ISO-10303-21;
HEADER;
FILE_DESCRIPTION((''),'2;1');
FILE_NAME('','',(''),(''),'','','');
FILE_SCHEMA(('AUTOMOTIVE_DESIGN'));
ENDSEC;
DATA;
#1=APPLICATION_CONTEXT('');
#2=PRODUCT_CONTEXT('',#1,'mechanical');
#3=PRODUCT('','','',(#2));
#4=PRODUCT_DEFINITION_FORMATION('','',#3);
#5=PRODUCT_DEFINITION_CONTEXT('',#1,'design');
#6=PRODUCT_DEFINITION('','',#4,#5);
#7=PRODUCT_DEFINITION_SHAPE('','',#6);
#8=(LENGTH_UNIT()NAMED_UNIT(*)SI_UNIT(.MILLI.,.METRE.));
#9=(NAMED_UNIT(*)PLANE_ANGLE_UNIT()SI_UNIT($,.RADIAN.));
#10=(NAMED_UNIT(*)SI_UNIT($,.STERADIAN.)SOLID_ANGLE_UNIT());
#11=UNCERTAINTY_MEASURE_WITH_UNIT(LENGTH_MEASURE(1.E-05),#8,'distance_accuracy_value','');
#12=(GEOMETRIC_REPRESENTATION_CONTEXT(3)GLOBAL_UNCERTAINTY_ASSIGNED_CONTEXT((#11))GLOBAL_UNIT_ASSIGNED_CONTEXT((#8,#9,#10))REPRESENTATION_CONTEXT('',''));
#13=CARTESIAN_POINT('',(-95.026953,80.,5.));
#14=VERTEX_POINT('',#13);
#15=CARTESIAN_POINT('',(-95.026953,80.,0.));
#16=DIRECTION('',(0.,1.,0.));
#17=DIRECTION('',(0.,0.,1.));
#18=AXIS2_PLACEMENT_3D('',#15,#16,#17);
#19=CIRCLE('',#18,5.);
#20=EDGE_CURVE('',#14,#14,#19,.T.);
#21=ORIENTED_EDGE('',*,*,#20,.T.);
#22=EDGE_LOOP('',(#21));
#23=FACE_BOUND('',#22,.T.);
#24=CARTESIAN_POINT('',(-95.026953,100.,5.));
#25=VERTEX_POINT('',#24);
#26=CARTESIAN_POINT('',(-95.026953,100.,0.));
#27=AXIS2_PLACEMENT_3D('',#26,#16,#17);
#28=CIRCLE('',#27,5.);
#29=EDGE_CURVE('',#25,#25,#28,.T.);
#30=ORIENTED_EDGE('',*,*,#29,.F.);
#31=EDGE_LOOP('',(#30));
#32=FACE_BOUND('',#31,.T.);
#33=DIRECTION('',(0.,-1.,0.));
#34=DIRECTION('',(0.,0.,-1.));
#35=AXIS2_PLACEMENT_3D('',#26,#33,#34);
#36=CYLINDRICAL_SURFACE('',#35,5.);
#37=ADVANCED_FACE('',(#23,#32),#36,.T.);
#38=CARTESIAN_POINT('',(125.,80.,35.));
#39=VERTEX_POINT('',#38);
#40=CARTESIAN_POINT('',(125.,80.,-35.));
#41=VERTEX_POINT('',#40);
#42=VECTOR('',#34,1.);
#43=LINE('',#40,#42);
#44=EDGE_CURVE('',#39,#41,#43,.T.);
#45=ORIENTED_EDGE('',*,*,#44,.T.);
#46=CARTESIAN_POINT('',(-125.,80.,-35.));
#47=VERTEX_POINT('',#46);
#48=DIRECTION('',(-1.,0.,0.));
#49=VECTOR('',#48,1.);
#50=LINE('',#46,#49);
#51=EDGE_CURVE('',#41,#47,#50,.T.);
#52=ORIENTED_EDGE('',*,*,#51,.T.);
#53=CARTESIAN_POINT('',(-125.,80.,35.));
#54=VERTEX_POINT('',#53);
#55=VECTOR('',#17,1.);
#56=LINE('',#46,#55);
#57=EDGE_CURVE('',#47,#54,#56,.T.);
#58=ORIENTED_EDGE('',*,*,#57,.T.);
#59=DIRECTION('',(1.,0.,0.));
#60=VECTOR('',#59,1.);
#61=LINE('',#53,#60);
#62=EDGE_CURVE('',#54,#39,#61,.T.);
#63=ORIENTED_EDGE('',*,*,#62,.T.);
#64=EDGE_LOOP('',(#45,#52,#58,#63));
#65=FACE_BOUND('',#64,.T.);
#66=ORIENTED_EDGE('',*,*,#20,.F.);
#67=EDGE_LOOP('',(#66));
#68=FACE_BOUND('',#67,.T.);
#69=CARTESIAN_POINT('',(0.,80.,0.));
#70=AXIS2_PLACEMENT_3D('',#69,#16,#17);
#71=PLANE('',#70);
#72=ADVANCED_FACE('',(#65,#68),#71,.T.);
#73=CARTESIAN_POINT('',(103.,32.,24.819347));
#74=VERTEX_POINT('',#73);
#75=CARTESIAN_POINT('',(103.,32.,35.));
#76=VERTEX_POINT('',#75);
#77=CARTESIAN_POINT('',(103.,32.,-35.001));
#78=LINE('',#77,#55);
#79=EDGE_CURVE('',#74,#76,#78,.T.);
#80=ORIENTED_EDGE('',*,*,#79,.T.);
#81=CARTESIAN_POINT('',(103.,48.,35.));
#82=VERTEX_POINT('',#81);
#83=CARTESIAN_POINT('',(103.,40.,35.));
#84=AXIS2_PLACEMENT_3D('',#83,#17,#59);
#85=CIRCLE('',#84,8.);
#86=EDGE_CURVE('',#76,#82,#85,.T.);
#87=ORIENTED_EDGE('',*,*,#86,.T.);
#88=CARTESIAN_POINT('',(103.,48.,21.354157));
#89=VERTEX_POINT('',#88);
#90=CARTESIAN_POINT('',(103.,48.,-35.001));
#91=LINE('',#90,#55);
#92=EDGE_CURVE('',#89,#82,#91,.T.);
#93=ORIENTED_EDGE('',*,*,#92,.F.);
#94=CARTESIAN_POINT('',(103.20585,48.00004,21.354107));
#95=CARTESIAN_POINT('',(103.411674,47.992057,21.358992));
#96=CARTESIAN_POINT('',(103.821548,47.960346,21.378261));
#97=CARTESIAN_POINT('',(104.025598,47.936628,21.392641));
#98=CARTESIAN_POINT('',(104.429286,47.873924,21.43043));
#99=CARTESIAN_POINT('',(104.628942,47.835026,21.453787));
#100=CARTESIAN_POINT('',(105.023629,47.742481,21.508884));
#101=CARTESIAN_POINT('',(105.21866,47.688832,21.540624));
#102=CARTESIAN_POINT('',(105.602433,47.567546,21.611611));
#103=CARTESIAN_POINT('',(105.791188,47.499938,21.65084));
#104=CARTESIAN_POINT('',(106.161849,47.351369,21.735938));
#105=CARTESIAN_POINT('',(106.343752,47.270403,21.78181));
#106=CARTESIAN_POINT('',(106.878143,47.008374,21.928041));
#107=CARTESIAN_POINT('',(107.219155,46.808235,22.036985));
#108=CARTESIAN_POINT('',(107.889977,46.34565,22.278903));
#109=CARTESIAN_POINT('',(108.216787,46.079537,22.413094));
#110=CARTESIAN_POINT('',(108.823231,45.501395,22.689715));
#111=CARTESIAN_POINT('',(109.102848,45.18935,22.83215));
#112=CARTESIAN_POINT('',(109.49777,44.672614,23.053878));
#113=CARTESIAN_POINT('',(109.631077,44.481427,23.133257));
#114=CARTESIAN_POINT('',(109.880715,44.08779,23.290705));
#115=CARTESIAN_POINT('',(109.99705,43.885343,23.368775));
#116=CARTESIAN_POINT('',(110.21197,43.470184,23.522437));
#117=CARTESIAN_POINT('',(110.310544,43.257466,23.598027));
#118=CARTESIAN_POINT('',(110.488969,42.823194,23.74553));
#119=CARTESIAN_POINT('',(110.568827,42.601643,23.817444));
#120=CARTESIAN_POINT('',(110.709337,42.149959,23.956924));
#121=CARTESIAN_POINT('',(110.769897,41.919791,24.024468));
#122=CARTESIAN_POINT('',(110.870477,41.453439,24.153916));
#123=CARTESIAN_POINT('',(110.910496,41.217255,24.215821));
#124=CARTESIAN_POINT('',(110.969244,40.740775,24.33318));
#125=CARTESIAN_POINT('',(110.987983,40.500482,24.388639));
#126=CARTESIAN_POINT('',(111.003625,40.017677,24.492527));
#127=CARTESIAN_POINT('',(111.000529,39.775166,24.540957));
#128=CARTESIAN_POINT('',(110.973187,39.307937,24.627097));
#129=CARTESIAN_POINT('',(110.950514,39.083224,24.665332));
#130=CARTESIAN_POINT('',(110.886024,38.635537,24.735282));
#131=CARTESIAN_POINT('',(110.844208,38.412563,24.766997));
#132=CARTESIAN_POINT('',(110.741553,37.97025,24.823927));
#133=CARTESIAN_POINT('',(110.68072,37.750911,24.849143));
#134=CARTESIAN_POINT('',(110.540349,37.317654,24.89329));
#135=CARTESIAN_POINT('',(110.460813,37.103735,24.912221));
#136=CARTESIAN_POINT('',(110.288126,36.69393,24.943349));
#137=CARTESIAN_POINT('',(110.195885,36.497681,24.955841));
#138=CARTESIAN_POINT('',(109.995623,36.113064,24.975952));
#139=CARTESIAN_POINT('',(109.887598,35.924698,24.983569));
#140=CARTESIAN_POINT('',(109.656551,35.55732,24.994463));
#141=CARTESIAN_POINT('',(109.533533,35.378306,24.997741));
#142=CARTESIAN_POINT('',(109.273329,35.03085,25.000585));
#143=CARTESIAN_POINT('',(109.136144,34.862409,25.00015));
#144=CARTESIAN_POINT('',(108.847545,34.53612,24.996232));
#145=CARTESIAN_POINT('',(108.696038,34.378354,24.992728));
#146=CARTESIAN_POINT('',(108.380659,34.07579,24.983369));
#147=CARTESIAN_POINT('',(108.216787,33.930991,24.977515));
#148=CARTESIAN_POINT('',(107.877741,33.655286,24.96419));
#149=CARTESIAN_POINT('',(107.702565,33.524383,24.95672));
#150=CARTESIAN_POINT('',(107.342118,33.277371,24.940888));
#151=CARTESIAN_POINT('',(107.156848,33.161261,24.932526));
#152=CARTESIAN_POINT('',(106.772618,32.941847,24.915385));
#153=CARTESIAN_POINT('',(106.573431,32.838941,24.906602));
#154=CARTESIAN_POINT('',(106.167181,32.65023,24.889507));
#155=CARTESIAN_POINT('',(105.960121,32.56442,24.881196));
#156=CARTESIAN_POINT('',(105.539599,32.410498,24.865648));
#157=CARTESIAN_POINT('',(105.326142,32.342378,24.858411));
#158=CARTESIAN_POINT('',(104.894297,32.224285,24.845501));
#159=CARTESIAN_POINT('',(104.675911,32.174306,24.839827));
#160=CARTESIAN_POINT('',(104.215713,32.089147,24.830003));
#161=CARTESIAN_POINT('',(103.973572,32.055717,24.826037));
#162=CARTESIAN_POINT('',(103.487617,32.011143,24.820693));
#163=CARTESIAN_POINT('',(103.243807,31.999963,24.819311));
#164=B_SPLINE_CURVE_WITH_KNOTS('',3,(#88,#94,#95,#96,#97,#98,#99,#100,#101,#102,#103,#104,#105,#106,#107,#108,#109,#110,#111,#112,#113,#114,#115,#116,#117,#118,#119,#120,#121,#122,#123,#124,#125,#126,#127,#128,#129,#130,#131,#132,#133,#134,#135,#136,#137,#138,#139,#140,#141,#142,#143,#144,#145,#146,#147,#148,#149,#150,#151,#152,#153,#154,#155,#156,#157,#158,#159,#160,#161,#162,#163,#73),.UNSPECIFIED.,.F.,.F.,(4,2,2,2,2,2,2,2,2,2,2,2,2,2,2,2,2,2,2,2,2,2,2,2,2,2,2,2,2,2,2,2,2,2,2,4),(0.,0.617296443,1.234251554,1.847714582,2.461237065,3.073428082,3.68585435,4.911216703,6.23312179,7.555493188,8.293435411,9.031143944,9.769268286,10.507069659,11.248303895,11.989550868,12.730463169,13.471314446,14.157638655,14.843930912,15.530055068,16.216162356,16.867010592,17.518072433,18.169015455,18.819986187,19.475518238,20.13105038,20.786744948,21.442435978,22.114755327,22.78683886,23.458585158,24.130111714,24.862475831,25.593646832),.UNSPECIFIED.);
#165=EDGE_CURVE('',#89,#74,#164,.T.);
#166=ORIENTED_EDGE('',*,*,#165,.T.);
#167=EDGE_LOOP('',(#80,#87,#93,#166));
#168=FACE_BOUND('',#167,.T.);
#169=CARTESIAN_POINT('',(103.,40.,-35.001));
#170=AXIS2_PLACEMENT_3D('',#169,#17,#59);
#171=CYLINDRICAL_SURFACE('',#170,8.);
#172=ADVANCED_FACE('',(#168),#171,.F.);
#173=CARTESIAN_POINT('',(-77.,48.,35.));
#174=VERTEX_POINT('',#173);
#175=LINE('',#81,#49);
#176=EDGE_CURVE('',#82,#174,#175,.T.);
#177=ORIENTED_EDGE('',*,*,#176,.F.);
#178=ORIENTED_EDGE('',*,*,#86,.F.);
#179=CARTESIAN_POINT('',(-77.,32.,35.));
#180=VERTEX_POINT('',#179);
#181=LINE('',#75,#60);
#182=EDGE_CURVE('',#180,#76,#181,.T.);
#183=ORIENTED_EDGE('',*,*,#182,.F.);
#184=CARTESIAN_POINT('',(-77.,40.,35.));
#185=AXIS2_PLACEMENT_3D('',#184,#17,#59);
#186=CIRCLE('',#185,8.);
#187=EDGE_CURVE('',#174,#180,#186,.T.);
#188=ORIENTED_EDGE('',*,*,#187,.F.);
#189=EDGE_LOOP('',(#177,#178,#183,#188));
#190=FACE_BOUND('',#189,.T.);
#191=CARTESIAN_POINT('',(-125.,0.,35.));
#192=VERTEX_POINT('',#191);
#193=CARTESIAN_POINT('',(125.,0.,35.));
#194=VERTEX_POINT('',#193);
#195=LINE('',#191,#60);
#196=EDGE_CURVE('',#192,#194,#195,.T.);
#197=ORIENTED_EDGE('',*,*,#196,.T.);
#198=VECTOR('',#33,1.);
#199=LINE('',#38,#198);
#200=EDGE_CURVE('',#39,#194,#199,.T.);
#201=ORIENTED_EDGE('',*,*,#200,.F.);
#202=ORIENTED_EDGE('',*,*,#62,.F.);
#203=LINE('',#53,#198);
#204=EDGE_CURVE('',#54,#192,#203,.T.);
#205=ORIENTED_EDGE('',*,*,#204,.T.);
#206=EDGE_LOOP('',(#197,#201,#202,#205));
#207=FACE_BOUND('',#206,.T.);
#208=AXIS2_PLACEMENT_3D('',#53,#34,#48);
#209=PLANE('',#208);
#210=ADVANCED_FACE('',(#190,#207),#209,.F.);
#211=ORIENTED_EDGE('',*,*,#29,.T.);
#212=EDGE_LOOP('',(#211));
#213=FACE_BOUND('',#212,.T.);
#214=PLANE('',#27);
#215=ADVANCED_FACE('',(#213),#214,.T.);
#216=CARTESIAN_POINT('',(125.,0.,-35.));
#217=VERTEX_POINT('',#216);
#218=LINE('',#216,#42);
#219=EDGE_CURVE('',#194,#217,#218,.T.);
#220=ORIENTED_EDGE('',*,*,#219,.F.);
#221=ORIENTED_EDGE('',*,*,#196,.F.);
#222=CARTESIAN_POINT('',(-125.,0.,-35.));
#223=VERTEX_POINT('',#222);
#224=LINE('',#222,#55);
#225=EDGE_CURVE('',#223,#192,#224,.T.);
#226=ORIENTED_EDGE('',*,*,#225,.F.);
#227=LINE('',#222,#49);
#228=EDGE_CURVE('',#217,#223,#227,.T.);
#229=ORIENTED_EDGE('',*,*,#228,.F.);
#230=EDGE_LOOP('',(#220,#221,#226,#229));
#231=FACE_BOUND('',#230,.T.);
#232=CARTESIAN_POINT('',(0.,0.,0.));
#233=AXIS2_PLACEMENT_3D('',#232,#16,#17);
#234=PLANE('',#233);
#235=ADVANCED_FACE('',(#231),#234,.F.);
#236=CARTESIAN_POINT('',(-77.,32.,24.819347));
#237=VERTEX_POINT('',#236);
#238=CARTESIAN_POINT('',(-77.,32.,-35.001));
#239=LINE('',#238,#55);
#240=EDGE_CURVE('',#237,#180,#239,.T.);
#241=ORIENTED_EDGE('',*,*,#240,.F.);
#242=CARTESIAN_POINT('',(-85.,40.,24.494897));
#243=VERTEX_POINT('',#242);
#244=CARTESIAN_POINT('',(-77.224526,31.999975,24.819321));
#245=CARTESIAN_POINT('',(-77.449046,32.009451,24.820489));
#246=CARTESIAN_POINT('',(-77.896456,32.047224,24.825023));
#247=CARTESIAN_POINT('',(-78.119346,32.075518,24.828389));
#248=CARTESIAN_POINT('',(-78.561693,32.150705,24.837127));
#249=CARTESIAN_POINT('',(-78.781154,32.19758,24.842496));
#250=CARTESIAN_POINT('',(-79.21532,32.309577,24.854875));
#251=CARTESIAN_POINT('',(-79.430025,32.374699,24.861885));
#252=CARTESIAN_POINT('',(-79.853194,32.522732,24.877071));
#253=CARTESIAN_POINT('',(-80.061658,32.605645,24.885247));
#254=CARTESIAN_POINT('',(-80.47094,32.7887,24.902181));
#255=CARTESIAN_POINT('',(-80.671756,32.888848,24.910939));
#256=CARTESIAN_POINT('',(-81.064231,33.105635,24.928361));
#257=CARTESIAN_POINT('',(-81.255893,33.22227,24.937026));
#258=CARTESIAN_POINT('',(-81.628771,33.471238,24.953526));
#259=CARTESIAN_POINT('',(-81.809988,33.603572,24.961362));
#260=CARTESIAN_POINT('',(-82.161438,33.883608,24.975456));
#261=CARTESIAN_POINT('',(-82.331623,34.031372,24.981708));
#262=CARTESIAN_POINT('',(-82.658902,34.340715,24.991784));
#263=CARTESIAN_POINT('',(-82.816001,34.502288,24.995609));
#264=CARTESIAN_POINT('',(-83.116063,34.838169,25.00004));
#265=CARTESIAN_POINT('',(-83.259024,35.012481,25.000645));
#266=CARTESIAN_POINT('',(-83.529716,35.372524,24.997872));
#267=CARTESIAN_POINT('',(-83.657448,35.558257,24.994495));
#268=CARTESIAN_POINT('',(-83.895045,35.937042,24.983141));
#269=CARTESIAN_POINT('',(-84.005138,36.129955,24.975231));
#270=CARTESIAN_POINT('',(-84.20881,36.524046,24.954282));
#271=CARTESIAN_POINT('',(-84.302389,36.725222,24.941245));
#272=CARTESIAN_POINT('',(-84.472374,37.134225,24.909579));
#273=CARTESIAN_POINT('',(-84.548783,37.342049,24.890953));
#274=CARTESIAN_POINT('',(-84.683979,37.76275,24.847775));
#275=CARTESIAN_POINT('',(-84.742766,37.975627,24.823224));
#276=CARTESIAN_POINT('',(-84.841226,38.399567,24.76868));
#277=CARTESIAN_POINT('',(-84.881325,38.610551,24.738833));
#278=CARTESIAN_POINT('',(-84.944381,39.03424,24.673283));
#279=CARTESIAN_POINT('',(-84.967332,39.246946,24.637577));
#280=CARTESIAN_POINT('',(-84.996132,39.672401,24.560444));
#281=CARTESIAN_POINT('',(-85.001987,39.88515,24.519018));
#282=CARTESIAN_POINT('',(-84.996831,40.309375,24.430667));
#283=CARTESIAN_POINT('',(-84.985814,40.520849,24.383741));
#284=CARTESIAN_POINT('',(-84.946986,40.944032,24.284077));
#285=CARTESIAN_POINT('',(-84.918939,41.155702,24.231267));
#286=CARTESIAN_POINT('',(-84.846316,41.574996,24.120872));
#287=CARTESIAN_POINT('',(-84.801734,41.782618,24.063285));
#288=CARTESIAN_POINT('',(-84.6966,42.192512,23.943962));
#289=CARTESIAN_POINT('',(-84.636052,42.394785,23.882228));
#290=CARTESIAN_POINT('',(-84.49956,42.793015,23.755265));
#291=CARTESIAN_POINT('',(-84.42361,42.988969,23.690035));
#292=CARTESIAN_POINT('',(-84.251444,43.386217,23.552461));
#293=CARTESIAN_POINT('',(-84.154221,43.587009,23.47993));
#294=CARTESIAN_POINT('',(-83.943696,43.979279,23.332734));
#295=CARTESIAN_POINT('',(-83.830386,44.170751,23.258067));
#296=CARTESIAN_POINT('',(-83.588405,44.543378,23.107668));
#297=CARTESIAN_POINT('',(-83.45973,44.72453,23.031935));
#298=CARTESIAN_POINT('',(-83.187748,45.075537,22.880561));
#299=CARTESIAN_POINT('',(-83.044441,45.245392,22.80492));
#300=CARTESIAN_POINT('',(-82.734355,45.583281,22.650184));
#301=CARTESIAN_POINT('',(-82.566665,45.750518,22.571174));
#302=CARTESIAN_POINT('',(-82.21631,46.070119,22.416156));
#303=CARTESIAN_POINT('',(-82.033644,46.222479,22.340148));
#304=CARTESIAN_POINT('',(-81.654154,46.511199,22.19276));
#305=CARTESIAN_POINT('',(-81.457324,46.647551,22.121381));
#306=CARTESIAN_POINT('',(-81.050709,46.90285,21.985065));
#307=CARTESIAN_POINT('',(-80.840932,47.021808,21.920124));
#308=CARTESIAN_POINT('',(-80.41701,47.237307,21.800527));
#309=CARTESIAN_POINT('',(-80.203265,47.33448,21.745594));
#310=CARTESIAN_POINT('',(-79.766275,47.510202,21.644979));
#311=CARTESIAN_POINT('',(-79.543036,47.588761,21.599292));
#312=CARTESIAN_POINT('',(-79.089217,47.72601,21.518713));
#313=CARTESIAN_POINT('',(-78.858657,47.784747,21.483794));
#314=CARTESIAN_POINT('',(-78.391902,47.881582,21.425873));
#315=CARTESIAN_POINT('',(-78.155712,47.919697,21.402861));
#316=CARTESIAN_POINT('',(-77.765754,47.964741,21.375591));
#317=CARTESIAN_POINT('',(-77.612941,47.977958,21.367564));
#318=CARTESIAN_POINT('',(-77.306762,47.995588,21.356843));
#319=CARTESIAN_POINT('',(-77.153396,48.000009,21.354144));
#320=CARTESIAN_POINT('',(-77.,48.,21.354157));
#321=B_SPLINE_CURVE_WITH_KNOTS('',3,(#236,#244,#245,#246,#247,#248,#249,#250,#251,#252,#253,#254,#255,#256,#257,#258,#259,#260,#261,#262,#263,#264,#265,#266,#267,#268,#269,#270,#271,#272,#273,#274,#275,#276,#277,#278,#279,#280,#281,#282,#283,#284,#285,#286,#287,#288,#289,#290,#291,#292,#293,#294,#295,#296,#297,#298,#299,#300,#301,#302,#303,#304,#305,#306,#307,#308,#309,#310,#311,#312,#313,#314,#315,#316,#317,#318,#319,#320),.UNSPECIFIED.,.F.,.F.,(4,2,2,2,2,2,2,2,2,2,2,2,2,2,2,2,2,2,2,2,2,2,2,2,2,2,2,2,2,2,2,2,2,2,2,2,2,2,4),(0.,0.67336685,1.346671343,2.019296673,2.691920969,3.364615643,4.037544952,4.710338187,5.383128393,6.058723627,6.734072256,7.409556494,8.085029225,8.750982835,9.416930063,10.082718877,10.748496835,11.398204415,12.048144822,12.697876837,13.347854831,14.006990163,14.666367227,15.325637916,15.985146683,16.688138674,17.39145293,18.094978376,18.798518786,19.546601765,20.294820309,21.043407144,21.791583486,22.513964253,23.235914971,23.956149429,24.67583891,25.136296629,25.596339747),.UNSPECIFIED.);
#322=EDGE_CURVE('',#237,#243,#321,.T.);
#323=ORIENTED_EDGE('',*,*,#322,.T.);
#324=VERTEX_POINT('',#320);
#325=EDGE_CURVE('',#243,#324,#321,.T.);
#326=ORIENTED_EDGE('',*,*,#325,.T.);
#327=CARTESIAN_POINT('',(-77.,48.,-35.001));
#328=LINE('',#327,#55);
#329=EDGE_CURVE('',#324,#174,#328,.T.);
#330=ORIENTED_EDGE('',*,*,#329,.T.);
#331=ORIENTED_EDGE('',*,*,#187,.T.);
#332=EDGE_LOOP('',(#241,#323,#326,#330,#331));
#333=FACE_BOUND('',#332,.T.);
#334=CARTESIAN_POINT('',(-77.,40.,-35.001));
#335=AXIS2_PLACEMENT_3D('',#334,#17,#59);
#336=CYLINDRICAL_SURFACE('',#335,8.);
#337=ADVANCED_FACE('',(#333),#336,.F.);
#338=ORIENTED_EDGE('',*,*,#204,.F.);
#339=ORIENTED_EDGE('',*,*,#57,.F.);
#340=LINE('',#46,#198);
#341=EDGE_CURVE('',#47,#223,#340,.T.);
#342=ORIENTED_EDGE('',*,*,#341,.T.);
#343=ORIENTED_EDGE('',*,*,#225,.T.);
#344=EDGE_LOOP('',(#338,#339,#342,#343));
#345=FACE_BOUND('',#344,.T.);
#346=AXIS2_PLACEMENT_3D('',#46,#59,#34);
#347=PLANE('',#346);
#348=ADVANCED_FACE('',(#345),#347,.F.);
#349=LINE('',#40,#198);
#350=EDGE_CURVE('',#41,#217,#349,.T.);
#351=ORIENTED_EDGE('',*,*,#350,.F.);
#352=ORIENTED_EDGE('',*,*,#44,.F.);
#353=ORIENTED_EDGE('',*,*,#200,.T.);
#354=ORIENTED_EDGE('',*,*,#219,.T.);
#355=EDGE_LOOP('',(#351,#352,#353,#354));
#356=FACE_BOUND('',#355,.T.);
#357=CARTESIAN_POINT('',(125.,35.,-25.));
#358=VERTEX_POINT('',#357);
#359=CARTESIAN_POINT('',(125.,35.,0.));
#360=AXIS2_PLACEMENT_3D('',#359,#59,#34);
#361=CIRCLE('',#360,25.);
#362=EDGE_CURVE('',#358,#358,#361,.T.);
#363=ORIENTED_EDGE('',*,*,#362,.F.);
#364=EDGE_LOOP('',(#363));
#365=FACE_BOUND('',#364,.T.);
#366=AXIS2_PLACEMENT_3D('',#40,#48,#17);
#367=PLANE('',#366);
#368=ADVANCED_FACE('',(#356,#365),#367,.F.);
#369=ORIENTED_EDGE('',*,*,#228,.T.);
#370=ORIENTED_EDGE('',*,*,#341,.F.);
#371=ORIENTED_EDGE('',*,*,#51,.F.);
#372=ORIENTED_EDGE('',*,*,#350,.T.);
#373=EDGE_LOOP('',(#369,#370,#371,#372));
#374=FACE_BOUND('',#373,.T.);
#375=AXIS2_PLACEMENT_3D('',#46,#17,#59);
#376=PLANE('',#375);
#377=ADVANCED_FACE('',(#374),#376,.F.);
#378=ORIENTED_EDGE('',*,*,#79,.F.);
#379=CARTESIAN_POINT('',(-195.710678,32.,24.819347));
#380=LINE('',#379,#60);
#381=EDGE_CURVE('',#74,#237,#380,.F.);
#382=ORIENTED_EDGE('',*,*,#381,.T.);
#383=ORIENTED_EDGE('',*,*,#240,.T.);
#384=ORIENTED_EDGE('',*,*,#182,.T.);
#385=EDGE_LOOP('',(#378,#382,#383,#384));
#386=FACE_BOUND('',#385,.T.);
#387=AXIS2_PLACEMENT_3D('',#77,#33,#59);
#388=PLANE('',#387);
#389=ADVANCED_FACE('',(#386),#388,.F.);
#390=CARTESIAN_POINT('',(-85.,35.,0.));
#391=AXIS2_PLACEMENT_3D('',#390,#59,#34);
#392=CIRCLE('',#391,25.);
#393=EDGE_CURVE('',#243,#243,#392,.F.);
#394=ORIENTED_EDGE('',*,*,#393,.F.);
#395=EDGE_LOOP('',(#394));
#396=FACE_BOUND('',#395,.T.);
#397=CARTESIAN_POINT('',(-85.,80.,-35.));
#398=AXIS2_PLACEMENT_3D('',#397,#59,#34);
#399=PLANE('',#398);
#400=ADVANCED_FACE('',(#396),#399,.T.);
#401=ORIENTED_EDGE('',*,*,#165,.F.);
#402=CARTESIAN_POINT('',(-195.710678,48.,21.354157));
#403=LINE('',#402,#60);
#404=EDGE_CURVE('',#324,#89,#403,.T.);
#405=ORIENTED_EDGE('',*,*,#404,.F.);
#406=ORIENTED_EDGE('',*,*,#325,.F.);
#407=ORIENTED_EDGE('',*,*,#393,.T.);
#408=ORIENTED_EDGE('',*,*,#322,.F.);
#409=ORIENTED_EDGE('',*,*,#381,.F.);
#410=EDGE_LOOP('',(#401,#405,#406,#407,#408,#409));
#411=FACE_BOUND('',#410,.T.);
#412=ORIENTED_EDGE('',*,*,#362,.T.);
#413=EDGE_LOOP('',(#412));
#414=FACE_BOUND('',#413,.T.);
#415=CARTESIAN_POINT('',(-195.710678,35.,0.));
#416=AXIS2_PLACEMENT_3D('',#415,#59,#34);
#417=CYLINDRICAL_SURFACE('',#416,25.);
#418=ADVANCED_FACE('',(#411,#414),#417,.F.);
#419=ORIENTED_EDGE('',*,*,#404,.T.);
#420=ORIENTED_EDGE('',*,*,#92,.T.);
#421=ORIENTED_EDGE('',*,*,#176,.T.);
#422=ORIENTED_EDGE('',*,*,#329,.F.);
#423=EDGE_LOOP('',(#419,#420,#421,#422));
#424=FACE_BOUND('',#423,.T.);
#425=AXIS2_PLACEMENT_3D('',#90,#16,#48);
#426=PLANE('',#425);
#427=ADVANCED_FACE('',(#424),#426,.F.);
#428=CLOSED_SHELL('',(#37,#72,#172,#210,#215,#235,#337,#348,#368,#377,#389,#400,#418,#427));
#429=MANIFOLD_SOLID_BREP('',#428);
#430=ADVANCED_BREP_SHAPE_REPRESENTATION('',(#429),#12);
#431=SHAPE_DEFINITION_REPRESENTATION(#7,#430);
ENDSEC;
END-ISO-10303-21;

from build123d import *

# Parameters (mm, degrees)
SKETCH1_W               = 250
SKETCH1_H               = 70
BOSS_EXTRUDE1_DEPTH     = 80
SKETCH2_R               = 25
CUT_EXTRUDE1_DEPTH      = 210
CUT_EXTRUDE2_REACH      = 166.088
CUT_EXTRUDE2_END_RADIUS = 25
SKETCH4_R               = 5
BOSS_EXTRUDE2_DEPTH     = 20


with BuildPart() as part:
    # Sketch1 → Boss-Extrude1 (new body)
    with BuildSketch(Plane(origin=(0, 0, 0), x_dir=(1, 0, 0), z_dir=(0, 1, 0))):
        Rectangle(SKETCH1_W, SKETCH1_H)
    extrude(amount=BOSS_EXTRUDE1_DEPTH)

    # Sketch2 → Cut-Extrude1 (cut)
    with BuildSketch(Plane(origin=(125, 0, 0), x_dir=(0, 0, -1), z_dir=(1, 0, 0))):
        with Locations((0, 35)):
            Circle(SKETCH2_R)
    extrude(amount=-CUT_EXTRUDE1_DEPTH, mode=Mode.SUBTRACT)

    # Cut-Extrude2: up to this cylinder (the profile starts outside it)
    cut_extrude2_end = Plane(origin=(13, 35, 0), z_dir=(1, 0, 0)) * Cylinder(CUT_EXTRUDE2_END_RADIUS, 383.176, mode=Mode.PRIVATE)
    # Sketch3 → Cut-Extrude2 (cut, up to the surface)
    with BuildSketch(Plane.XY.offset(35), mode=Mode.PRIVATE) as cut_extrude2_sk1:
        with BuildLine():
            Line((103, 32), (-77, 32))
            ThreePointArc((-77, 32), (-85, 40), (-77, 48))
            Line((-77, 48), (103, 48))
            ThreePointArc((103, 48), (111, 40), (103, 32))
        make_face()
    cut_extrude2_tool1 = extrude(cut_extrude2_sk1.sketch, amount=-CUT_EXTRUDE2_REACH, mode=Mode.PRIVATE) - cut_extrude2_end
    add(cut_extrude2_tool1.solids().sort_by_distance((13, 40, 35))[0], mode=Mode.SUBTRACT)

    # Sketch4 → Boss-Extrude2 (add)
    with BuildSketch(Plane(origin=(0, 80, 0), x_dir=(1, 0, 0), z_dir=(0, 1, 0))):
        with Locations(Location((-95.026953026, 0, 0), (0, 0, 270))):
            Circle(SKETCH4_R)
    extrude(amount=BOSS_EXTRUDE2_DEPTH)


solid = part.part
